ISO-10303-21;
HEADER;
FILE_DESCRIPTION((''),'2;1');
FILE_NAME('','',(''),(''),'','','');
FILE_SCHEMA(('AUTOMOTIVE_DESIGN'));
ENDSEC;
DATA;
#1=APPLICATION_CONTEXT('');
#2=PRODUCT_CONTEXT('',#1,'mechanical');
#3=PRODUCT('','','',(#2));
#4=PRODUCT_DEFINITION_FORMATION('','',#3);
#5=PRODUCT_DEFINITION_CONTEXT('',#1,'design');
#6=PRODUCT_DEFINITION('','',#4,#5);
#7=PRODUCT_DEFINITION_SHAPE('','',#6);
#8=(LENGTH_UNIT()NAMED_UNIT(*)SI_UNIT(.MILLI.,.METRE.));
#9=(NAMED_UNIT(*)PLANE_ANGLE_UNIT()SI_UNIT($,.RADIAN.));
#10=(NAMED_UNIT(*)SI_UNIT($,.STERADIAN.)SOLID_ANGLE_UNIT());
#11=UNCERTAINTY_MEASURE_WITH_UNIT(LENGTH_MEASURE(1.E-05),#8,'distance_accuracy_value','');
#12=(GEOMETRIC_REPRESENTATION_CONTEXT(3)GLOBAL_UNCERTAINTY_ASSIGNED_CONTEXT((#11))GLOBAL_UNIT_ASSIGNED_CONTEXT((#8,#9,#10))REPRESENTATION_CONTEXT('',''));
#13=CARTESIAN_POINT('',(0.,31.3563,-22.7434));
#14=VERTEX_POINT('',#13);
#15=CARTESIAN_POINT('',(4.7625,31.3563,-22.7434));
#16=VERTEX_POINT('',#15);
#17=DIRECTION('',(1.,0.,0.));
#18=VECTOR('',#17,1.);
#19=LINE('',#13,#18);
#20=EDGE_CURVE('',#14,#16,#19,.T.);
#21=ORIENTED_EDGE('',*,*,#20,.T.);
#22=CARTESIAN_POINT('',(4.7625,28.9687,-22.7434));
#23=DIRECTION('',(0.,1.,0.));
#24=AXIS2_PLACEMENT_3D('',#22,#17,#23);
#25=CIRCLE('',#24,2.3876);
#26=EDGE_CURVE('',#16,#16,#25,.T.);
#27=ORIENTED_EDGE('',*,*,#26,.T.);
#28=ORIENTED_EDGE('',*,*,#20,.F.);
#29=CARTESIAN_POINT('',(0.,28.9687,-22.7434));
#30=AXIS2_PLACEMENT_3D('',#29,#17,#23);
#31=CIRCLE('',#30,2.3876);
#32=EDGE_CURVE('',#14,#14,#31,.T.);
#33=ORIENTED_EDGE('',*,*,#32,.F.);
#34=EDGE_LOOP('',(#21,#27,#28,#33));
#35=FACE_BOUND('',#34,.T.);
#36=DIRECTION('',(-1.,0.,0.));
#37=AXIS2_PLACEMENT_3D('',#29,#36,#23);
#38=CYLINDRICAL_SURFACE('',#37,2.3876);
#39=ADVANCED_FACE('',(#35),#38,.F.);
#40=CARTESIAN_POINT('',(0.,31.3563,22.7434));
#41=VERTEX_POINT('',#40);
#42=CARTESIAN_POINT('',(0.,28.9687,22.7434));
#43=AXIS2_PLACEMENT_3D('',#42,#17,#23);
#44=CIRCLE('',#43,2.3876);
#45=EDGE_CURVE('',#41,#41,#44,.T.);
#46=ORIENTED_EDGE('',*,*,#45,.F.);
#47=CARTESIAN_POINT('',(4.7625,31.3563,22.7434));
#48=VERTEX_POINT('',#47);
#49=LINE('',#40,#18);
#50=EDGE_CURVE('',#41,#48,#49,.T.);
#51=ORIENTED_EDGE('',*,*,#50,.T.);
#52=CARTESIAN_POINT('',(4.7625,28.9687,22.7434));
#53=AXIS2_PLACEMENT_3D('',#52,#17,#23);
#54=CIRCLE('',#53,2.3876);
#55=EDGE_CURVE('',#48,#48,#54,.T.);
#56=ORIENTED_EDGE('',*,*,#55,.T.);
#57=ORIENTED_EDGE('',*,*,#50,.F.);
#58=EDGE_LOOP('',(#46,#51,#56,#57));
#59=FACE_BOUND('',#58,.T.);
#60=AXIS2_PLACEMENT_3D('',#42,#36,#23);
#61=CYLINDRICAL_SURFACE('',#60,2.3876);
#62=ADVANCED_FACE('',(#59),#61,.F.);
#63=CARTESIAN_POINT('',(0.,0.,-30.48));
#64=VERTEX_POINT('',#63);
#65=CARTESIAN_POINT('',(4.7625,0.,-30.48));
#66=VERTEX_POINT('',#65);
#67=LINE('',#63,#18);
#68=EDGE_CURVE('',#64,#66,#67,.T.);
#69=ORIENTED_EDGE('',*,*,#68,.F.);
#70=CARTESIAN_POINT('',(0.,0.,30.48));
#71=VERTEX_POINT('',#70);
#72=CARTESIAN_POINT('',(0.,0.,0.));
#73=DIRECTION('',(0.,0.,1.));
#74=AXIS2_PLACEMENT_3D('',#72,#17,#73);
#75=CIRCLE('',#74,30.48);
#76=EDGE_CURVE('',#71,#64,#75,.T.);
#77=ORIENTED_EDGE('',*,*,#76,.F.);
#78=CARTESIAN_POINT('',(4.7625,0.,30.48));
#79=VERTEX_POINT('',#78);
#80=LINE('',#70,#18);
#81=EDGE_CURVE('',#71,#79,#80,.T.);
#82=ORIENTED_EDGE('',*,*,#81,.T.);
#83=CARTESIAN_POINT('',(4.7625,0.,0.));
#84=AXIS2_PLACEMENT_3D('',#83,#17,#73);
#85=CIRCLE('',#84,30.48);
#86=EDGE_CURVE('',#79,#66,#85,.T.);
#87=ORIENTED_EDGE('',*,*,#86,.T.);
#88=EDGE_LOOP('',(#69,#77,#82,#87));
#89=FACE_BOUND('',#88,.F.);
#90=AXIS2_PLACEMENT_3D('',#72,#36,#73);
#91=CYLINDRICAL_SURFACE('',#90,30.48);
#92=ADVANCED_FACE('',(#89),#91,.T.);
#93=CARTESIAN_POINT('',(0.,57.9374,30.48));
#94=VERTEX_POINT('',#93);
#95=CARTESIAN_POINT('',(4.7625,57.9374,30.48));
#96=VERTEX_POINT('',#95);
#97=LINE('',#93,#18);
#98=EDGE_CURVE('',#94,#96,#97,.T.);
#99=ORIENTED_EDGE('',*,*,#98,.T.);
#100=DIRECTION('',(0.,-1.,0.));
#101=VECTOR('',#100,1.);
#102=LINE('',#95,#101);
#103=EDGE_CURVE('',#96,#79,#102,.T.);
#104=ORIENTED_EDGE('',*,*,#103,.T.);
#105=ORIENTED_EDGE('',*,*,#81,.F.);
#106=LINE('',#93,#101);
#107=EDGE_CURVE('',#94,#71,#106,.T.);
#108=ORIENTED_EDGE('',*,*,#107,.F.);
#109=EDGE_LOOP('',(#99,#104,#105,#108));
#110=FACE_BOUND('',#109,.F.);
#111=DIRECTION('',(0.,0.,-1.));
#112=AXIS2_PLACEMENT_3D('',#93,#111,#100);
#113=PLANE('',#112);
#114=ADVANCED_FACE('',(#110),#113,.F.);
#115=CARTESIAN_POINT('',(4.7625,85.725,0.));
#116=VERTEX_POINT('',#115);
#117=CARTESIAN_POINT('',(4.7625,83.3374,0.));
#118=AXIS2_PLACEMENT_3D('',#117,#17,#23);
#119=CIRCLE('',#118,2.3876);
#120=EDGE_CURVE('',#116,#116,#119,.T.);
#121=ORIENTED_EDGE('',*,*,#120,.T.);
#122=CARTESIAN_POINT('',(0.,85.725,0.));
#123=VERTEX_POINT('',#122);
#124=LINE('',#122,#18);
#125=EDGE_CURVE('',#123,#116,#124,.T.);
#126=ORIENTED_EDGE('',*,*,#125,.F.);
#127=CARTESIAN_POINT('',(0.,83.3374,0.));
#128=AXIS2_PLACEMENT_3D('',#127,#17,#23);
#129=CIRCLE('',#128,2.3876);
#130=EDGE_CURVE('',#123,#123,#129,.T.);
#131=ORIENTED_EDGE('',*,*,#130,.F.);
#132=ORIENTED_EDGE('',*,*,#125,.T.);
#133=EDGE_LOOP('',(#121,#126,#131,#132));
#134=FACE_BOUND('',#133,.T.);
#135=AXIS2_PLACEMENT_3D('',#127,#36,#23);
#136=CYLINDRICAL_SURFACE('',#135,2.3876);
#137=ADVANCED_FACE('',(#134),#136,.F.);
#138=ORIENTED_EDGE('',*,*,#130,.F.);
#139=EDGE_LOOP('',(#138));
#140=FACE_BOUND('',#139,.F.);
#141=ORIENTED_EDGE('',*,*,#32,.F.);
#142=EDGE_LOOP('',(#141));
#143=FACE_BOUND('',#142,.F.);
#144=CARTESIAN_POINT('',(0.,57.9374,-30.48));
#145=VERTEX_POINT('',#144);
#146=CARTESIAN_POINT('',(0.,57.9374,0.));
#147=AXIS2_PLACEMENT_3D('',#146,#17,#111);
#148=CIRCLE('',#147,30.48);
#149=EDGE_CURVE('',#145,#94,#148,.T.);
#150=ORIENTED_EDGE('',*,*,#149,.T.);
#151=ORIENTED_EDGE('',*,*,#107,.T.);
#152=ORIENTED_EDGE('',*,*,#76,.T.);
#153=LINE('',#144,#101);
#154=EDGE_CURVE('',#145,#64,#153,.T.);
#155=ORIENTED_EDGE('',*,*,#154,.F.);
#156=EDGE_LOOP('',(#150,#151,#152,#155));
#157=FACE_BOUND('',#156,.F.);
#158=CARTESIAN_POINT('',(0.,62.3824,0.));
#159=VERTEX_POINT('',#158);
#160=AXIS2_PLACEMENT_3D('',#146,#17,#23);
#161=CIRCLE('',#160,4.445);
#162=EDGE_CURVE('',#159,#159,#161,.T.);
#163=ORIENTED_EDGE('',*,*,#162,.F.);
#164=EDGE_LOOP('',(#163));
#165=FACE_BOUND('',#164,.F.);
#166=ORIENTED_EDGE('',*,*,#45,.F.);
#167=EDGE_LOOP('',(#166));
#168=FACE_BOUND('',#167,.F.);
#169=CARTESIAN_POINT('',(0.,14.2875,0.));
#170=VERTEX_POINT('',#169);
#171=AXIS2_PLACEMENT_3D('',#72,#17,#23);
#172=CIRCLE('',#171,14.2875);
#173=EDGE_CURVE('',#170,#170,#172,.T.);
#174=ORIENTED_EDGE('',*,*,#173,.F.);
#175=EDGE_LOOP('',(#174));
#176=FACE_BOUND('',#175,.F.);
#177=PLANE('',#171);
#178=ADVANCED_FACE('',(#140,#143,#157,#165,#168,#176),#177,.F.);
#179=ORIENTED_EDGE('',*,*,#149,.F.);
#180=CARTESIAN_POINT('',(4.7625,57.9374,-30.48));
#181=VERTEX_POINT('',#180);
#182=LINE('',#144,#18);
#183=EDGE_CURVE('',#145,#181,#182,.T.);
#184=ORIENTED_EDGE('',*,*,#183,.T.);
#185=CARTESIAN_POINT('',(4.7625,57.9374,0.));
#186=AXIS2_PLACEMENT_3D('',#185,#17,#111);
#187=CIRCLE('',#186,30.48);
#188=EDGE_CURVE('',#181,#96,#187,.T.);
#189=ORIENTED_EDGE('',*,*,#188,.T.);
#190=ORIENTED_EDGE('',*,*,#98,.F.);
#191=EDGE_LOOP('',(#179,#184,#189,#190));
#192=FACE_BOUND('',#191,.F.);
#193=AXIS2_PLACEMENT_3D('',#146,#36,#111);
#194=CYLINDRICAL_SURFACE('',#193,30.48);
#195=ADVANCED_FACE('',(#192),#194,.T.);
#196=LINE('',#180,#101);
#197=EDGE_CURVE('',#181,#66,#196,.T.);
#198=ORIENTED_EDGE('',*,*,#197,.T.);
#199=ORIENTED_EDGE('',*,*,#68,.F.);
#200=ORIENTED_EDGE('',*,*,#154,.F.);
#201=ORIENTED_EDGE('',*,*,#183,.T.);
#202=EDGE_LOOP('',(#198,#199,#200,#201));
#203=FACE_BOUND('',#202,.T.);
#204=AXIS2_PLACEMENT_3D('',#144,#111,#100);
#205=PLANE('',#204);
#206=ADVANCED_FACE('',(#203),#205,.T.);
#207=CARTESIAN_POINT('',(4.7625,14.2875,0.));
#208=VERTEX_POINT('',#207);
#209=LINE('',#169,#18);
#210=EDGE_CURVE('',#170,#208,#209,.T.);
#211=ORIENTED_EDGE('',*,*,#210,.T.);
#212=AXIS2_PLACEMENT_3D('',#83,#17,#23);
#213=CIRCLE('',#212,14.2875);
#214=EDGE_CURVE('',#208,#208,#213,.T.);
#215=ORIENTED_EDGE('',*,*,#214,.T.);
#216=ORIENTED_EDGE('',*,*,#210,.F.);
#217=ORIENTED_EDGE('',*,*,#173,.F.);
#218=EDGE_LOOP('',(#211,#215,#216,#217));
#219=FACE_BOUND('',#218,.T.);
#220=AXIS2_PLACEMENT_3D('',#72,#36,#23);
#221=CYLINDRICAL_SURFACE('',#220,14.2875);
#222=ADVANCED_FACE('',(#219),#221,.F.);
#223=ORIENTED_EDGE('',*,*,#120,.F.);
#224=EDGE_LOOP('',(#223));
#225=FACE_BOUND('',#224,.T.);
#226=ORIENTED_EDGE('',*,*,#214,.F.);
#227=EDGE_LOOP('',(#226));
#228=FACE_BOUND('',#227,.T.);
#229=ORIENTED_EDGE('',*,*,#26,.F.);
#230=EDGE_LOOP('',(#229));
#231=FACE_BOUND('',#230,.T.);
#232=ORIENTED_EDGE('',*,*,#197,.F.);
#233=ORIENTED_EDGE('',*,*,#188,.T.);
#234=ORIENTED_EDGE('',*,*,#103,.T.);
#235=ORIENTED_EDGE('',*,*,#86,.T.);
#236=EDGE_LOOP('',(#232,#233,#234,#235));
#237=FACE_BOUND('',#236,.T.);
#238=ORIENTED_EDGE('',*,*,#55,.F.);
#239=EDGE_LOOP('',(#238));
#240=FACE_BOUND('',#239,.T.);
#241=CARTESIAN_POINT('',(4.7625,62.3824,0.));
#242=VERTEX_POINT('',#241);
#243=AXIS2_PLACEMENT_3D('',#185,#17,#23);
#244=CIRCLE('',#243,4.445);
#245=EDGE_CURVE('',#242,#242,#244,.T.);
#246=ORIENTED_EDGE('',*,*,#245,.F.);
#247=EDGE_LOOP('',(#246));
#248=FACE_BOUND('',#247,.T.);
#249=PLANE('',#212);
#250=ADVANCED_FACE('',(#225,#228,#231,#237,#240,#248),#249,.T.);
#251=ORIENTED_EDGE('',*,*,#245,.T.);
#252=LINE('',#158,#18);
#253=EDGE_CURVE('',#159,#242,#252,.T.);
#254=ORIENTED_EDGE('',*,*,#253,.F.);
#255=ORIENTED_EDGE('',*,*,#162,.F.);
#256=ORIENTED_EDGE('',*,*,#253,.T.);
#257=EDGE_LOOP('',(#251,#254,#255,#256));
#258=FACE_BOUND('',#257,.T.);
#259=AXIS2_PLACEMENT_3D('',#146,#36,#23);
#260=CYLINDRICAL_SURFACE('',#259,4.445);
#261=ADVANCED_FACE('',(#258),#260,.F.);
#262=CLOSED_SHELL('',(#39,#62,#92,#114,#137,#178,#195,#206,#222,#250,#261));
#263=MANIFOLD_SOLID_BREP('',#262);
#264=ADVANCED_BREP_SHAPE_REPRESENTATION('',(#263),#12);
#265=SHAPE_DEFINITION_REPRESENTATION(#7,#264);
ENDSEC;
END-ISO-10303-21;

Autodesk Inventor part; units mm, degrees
ref_plane "YZ Plane" through (0, 0, 0) normal (1, 0, 0) x (0, 1, 0)
ref_plane "XZ Plane" through (0, 0, 0) normal (0, 1, 0) x (-1, 0, 0)
ref_plane "XY Plane" through (0, 0, 0) normal (0, 0, 1) x (1, 0, 0)
sketch "Sketch1" plane through (0, 0, 0) normal (1, 0, 0) x (0, 1, 0)
  circle A0 centre (0, 0) radius 30.48 construction
  circle A1 centre (57.9374, 0) radius 30.48 construction
  line L0 (57.9374, -30.48) -> (0, -30.48)
  line L1 (57.9374, 30.48) -> (0, 30.48)
  circle A2 centre (28.9687, 22.7434) radius 3.81 construction
  circle A3 centre (28.9687, -22.7434) radius 3.81 construction
  line L2 (31.9655, -20.3907) -> (33.9633, -18.8221) construction
  line L3 (25.9719, -20.3907) -> (23.9741, -18.8221) construction
  line L4 (31.9655, 20.3907) -> (33.9633, 18.8221) construction
  line L5 (25.9719, 20.3907) -> (23.9741, 18.8221) construction
  circle A4 centre (57.9374, 0) radius 25.4 construction
  circle A5 centre (57.9374, 0) radius 4.445
  circle A6 centre (83.3374, 0) radius 2.3876
  circle A7 centre (28.9687, 22.7434) radius 2.3876
  circle A8 centre (28.9687, -22.7434) radius 2.3876
  arc A9 (0, 30.48) -> (0, -30.48) centre (0, 0) ccw
  arc A10 (57.9374, -30.48) -> (57.9374, 30.48) centre (57.9374, 0) ccw
  circle A11 centre (0, 0) radius 14.2875
  dimension "d7" = 50.8
  dimension "d0" = 60.96
  dimension "d1" = 60.96
  dimension "d2" = 57.9374
  dimension "d3" = 7.62
  dimension "d4" = 7.62
  dimension "d5" = 2.54
  dimension "d6" = 2.54
  dimension "d8" = 8.89
  dimension "d9" = 4.7752
  dimension "d13" = 4.7752
  dimension "d14" = 4.7752
  dimension "d15" = 28.575
extrude "Extrusion1" add sketch "Sketch1" along normal blind 4.7625
properties part number "Intake Pulley Cover 1" material "Aluminum 6061"
